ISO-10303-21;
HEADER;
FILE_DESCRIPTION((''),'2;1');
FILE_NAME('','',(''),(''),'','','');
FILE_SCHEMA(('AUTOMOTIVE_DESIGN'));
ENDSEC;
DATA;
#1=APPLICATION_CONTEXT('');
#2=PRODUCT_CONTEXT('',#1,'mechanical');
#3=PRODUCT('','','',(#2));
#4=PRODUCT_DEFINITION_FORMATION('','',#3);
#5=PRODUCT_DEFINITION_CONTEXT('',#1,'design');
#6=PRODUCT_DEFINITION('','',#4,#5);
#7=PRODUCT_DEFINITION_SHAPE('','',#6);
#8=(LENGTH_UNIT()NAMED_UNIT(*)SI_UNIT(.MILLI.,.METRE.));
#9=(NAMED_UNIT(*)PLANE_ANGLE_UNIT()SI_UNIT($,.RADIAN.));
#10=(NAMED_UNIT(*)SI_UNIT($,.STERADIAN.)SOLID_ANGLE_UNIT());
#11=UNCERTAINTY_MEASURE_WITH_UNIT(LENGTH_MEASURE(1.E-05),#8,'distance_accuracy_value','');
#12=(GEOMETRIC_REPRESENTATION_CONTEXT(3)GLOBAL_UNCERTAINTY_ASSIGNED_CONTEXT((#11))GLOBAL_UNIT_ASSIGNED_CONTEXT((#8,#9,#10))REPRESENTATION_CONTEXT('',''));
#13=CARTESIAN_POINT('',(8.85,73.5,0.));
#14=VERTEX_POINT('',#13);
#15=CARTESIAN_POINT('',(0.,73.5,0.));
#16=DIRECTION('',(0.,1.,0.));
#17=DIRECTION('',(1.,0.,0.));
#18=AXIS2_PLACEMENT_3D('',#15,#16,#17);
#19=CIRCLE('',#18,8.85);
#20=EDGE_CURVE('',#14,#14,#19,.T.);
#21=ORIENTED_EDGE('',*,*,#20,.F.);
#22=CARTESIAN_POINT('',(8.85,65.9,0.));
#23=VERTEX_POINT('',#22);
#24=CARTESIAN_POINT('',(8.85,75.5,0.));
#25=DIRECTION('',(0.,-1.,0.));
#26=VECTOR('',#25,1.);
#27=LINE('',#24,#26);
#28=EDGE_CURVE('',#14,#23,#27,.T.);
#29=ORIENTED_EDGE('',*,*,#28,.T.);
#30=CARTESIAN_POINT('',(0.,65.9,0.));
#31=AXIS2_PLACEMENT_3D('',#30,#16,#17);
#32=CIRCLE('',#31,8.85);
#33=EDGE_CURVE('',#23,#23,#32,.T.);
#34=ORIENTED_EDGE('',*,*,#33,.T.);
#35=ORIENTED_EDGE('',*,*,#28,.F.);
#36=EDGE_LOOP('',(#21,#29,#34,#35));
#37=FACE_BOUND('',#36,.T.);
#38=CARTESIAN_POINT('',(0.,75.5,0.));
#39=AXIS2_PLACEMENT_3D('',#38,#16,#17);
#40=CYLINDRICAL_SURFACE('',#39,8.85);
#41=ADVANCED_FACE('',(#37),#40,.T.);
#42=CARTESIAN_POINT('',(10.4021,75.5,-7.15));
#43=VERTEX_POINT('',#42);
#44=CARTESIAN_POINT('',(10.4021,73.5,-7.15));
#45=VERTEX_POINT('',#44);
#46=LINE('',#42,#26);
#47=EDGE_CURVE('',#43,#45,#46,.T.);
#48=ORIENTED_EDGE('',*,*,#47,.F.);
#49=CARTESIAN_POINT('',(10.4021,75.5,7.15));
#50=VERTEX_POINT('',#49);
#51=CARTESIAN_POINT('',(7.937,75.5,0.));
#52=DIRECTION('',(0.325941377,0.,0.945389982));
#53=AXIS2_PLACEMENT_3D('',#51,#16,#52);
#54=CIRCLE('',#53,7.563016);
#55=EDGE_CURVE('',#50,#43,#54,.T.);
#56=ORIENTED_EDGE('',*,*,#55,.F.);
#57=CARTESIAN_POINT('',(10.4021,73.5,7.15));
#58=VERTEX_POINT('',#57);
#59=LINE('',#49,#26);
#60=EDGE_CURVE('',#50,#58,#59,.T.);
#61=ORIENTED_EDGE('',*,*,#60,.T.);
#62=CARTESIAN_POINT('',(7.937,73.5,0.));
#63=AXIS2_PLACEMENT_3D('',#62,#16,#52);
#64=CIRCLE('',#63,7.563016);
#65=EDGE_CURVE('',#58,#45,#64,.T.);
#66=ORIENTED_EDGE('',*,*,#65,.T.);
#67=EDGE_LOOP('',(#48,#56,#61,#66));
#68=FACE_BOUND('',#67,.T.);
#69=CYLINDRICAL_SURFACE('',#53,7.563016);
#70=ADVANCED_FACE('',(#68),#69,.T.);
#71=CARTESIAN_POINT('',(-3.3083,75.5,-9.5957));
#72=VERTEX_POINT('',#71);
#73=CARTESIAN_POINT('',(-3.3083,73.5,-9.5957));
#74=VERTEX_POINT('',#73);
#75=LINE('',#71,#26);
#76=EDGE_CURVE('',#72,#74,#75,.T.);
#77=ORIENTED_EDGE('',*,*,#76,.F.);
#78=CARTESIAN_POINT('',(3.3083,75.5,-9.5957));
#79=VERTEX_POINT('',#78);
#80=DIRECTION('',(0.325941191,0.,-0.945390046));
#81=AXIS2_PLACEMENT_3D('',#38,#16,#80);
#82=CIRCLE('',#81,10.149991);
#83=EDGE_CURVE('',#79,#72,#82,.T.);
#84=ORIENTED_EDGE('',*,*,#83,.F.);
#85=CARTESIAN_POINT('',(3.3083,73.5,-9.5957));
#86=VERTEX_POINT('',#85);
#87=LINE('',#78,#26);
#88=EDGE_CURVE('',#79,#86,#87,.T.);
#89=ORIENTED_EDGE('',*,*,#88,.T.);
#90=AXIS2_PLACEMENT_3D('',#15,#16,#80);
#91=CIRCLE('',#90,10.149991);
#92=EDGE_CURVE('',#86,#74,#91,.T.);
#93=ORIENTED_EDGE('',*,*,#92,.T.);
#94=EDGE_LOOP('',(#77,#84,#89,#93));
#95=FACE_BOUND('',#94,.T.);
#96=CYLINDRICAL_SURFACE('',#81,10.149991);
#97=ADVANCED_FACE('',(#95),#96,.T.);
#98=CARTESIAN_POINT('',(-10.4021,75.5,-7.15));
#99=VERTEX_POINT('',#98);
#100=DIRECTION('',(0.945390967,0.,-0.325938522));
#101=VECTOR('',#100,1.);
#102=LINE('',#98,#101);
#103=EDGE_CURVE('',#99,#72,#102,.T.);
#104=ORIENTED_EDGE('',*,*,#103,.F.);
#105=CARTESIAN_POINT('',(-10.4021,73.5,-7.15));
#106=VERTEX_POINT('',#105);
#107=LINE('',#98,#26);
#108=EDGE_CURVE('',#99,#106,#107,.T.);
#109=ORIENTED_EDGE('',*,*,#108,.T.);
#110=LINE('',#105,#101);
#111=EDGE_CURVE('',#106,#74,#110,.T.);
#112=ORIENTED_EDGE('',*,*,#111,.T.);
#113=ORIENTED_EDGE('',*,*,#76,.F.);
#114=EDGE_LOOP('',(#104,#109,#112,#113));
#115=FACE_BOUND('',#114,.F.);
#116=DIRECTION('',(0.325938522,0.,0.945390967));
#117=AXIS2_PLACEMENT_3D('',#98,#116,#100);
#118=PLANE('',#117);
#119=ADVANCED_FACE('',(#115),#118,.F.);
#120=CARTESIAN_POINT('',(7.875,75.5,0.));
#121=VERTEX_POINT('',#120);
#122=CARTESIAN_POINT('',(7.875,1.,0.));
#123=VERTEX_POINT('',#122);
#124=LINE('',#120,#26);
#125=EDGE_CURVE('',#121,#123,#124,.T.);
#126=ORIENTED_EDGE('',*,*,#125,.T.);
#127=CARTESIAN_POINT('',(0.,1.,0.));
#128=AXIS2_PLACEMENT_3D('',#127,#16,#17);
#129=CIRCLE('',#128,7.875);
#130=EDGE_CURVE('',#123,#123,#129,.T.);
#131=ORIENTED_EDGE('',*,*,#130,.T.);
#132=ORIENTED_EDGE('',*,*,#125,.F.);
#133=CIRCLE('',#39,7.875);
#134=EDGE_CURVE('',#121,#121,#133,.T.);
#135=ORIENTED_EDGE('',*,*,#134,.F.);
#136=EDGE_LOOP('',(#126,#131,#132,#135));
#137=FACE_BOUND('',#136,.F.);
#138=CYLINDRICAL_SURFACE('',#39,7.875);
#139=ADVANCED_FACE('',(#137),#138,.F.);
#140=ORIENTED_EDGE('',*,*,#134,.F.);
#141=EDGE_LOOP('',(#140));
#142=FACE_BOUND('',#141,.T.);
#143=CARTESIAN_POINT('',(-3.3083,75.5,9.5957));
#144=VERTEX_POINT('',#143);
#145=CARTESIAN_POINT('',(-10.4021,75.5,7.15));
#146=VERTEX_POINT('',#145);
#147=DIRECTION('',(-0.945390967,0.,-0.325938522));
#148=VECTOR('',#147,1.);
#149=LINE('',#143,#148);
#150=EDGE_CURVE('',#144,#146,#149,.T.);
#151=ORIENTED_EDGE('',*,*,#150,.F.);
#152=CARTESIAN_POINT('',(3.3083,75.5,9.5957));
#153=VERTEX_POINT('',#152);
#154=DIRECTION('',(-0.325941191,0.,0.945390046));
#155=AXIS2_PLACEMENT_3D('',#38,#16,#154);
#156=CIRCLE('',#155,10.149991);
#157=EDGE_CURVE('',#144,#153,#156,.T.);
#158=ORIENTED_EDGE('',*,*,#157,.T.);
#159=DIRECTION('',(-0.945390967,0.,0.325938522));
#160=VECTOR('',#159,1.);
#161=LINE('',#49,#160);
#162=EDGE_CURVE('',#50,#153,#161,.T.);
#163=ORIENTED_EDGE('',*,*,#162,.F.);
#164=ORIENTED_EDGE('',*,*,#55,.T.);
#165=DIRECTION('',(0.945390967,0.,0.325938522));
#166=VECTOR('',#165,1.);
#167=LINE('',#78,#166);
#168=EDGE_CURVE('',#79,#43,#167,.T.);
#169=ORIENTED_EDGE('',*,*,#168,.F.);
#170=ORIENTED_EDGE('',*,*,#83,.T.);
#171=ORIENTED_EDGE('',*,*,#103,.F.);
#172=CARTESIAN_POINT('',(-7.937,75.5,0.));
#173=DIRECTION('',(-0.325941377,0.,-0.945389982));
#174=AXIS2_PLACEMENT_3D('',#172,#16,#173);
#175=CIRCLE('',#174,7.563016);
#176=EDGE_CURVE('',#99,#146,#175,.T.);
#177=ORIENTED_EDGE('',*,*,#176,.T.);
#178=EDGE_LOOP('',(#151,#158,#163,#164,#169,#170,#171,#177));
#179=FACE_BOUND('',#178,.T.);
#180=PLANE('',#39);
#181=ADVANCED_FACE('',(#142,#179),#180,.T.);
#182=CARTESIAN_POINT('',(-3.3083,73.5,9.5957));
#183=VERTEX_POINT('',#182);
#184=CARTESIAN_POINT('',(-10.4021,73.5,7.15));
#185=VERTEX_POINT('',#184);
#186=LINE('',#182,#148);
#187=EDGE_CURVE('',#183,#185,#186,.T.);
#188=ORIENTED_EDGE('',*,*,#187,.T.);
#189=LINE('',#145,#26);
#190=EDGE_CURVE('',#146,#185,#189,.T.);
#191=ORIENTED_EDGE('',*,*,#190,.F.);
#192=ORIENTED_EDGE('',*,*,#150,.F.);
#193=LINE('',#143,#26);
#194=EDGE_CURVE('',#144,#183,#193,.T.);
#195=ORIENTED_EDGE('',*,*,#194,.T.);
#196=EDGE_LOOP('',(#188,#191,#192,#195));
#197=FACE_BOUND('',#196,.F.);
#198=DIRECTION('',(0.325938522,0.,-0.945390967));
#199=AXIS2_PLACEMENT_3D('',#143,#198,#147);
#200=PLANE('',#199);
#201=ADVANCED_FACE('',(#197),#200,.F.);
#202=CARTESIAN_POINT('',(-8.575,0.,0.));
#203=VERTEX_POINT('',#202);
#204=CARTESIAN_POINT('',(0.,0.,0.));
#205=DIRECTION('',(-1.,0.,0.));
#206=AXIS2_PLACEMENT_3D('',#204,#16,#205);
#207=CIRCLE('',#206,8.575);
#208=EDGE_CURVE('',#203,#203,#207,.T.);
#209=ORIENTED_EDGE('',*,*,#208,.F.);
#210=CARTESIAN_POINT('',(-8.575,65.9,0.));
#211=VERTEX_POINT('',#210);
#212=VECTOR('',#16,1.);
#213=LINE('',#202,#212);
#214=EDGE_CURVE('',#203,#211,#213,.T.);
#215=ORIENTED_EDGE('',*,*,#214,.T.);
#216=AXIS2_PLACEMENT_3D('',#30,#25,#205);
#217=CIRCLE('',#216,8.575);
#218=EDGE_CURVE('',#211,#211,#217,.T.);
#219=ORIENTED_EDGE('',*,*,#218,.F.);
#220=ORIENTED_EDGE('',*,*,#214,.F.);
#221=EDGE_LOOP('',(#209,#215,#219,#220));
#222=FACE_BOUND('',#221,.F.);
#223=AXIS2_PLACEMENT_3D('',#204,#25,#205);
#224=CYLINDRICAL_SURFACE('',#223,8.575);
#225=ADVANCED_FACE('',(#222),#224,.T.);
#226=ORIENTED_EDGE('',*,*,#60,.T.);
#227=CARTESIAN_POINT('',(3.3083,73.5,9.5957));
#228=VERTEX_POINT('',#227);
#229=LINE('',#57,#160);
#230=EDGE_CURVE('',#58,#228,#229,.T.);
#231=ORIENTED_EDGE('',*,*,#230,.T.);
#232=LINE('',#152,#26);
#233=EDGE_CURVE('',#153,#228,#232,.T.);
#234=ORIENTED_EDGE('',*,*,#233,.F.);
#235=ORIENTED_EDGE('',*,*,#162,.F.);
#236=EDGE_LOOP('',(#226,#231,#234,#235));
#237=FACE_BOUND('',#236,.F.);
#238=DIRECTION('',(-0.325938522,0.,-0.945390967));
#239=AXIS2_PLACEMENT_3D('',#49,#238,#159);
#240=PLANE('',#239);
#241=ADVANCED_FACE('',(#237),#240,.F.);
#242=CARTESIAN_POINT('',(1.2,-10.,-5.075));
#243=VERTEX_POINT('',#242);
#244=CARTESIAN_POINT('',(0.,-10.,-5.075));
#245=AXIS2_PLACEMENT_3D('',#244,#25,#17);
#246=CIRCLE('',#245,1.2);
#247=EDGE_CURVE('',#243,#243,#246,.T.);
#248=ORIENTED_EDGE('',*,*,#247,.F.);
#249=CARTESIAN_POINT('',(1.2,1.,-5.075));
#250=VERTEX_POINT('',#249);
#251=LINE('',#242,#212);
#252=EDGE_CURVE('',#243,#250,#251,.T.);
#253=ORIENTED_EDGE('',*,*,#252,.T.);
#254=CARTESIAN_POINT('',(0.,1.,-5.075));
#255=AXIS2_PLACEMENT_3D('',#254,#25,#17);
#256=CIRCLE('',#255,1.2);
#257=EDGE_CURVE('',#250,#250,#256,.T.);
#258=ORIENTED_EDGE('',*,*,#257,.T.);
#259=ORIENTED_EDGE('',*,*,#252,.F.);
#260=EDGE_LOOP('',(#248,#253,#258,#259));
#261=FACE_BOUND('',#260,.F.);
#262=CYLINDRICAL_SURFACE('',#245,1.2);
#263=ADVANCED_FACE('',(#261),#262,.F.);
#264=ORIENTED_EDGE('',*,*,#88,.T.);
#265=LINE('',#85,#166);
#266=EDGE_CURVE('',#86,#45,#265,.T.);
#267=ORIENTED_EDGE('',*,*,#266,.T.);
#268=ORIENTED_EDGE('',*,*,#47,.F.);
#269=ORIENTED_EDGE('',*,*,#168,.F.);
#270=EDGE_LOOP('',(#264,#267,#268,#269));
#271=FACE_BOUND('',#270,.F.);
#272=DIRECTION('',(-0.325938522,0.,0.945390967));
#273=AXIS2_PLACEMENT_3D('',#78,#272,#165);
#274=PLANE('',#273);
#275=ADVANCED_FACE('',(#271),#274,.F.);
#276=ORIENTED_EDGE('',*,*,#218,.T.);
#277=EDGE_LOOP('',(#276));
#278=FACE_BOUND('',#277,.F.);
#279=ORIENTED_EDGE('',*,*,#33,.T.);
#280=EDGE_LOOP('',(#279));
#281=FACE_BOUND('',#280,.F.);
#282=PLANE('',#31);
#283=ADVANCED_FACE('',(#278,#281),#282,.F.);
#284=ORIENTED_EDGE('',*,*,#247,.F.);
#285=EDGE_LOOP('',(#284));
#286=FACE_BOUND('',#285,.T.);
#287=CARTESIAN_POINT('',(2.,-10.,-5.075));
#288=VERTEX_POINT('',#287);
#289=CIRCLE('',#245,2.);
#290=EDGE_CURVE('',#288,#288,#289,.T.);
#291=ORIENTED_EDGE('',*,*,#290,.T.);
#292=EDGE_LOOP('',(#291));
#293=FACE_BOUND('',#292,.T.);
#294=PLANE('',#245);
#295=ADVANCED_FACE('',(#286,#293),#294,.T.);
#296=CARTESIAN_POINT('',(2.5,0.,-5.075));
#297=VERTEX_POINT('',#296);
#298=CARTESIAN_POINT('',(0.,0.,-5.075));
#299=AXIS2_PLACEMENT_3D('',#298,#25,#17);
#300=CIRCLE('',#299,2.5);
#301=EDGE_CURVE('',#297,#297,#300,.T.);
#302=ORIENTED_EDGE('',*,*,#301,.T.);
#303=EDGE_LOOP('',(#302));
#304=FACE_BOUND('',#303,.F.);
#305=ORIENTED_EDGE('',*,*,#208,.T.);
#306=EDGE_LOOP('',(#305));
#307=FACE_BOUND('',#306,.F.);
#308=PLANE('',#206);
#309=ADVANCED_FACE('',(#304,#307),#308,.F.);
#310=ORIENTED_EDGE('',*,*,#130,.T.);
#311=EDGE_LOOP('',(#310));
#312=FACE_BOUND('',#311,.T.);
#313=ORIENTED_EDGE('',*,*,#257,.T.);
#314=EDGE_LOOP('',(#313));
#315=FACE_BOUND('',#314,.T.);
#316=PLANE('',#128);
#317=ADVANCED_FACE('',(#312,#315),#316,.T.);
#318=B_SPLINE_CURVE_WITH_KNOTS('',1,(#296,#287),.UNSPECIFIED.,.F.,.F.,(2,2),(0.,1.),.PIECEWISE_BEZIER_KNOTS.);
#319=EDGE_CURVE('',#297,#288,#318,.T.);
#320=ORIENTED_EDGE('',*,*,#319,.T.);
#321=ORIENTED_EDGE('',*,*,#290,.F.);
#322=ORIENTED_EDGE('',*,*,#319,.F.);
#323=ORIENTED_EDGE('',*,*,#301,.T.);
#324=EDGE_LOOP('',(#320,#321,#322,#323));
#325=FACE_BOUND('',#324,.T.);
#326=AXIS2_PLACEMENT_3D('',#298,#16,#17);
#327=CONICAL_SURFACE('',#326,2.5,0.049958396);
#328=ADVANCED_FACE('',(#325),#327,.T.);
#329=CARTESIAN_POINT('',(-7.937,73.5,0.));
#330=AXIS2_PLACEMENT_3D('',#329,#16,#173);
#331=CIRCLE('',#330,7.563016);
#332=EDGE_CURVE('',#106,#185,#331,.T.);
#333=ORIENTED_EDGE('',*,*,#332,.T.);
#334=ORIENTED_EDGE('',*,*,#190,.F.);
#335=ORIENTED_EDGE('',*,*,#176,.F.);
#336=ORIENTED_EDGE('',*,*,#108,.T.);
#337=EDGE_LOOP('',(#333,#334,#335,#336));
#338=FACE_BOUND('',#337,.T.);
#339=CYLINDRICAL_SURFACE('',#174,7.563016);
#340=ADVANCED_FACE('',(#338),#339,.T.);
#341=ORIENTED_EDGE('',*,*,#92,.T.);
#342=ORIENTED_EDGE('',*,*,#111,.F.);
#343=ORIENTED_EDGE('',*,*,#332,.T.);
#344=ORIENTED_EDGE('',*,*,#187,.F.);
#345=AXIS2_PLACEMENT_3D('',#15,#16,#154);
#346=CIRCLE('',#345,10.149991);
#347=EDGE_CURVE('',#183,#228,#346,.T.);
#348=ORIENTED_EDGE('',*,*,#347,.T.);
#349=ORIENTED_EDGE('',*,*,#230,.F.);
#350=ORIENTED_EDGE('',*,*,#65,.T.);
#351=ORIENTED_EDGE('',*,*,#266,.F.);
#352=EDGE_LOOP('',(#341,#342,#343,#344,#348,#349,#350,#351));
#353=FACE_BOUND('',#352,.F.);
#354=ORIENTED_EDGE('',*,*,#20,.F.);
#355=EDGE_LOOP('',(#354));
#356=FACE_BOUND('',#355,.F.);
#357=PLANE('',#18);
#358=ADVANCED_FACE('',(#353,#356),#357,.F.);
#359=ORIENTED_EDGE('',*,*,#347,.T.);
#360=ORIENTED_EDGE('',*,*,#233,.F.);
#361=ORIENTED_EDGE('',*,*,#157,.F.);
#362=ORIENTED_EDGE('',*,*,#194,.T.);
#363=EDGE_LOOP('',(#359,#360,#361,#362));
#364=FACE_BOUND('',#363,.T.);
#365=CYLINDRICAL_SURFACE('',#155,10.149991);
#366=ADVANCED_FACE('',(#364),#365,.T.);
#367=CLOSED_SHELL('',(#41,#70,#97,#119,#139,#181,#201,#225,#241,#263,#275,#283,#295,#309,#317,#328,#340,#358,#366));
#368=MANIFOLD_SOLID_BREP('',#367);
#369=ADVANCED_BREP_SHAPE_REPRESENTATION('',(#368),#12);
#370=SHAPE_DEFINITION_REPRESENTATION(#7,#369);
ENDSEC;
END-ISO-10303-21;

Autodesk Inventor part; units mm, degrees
ref_plane "YZ Plane" through (0, 0, 0) normal (1, 0, 0) x (0, 1, 0)
ref_plane "XZ Plane" through (0, 0, 0) normal (0, 1, 0) x (-1, 0, 0)
ref_plane "XY Plane" through (0, 0, 0) normal (0, 0, 1) x (1, 0, 0)
sketch "Sketch1" plane through (0, 0, 0) normal (0, 1, 0) x (-1, 0, 0)
  circle A0 centre (0, 0) radius 8.575
  dimension "d0" = 17.15
extrude "Extrusion1" add sketch "Sketch1" along normal blind 75.5
sketch "Sketch2" plane through (0, 75.5, 0) normal (0, 1, 0) x (1, 0, 0)
  circle A0 centre (0, 0) radius 8.85
  dimension "d3" = 17.7
extrude "Extrusion2" add sketch "Sketch2" against normal blind 9.6
sketch "Sketch3" plane through (0, 75.5, 0) normal (0, 1, 0) x (1, 0, 0)
  line L0 (-3.3083, -9.5957) -> (-10.4021, -7.15)
  arc A0 (-10.4021, 7.15) -> (-10.4021, -7.15) centre (-7.937, 0) ccw
  line L1 (-10.4021, 7.15) -> (-3.3083, 9.5957)
  arc A1 (3.3083, 9.5957) -> (-3.3083, 9.5957) centre (0, 0) ccw
  line L2 (3.3083, 9.5957) -> (10.4021, 7.15)
  arc A2 (10.4021, -7.15) -> (10.4021, 7.15) centre (7.937, 0) ccw
  line L3 (10.4021, -7.15) -> (3.3083, -9.5957)
  arc A3 (-3.3083, -9.5957) -> (3.3083, -9.5957) centre (0, 0) ccw
  line L4 (0, -10.15) -> (0, 10.15) construction
  line L5 (-15.5, 0) -> (15.5, 0) construction
  dimension "d6" = 20.3
  dimension "d7" = 31
  dimension "d8" = 14.3
extrude "Extrusion3" add sketch "Sketch3" against normal blind 2
sketch "Sketch4" plane through (0, 75.5, 0) normal (0, 1, 0) x (1, 0, 0)
  circle A0 centre (0, 0) radius 7.875
  dimension "d11" = 15.75
extrude "Extrusion4" cut sketch "Sketch4" against normal blind 74.5
sketch "Sketch5" plane through (0, 0, 0) normal (0, -1, 0) x (1, 0, 0)
  circle A0 centre (0, -5.075) radius 2.5
  point P0 (0, 0)
  dimension "d14" = 5
ref_plane "Work Plane1" through (0, -10, 0) normal (0, -1, 0) x (1, 0, 0)
sketch "Sketch6" plane through (0, -10, 0) normal (0, -1, 0) x (1, 0, 0)
  circle A0 centre (0, -5.075) radius 2
  point P0 (0, 0)
  dimension "d18" = 4
loft "Loft1" add profiles "Sketch5", "Sketch6"
sketch "Sketch7" plane through (0, -10, -5.075) normal (0, -1, 0) x (1, 0, 0)
  circle A0 centre (0, 0) radius 2 projected
  circle A1 centre (0, 0) radius 1.2
  point P0 (0, 5.075)
  dimension "d24" = 0.8
extrude "Extrusion5" cut sketch "Sketch7" against normal through all contours A1
properties part number "Syringe" material "Glass"
